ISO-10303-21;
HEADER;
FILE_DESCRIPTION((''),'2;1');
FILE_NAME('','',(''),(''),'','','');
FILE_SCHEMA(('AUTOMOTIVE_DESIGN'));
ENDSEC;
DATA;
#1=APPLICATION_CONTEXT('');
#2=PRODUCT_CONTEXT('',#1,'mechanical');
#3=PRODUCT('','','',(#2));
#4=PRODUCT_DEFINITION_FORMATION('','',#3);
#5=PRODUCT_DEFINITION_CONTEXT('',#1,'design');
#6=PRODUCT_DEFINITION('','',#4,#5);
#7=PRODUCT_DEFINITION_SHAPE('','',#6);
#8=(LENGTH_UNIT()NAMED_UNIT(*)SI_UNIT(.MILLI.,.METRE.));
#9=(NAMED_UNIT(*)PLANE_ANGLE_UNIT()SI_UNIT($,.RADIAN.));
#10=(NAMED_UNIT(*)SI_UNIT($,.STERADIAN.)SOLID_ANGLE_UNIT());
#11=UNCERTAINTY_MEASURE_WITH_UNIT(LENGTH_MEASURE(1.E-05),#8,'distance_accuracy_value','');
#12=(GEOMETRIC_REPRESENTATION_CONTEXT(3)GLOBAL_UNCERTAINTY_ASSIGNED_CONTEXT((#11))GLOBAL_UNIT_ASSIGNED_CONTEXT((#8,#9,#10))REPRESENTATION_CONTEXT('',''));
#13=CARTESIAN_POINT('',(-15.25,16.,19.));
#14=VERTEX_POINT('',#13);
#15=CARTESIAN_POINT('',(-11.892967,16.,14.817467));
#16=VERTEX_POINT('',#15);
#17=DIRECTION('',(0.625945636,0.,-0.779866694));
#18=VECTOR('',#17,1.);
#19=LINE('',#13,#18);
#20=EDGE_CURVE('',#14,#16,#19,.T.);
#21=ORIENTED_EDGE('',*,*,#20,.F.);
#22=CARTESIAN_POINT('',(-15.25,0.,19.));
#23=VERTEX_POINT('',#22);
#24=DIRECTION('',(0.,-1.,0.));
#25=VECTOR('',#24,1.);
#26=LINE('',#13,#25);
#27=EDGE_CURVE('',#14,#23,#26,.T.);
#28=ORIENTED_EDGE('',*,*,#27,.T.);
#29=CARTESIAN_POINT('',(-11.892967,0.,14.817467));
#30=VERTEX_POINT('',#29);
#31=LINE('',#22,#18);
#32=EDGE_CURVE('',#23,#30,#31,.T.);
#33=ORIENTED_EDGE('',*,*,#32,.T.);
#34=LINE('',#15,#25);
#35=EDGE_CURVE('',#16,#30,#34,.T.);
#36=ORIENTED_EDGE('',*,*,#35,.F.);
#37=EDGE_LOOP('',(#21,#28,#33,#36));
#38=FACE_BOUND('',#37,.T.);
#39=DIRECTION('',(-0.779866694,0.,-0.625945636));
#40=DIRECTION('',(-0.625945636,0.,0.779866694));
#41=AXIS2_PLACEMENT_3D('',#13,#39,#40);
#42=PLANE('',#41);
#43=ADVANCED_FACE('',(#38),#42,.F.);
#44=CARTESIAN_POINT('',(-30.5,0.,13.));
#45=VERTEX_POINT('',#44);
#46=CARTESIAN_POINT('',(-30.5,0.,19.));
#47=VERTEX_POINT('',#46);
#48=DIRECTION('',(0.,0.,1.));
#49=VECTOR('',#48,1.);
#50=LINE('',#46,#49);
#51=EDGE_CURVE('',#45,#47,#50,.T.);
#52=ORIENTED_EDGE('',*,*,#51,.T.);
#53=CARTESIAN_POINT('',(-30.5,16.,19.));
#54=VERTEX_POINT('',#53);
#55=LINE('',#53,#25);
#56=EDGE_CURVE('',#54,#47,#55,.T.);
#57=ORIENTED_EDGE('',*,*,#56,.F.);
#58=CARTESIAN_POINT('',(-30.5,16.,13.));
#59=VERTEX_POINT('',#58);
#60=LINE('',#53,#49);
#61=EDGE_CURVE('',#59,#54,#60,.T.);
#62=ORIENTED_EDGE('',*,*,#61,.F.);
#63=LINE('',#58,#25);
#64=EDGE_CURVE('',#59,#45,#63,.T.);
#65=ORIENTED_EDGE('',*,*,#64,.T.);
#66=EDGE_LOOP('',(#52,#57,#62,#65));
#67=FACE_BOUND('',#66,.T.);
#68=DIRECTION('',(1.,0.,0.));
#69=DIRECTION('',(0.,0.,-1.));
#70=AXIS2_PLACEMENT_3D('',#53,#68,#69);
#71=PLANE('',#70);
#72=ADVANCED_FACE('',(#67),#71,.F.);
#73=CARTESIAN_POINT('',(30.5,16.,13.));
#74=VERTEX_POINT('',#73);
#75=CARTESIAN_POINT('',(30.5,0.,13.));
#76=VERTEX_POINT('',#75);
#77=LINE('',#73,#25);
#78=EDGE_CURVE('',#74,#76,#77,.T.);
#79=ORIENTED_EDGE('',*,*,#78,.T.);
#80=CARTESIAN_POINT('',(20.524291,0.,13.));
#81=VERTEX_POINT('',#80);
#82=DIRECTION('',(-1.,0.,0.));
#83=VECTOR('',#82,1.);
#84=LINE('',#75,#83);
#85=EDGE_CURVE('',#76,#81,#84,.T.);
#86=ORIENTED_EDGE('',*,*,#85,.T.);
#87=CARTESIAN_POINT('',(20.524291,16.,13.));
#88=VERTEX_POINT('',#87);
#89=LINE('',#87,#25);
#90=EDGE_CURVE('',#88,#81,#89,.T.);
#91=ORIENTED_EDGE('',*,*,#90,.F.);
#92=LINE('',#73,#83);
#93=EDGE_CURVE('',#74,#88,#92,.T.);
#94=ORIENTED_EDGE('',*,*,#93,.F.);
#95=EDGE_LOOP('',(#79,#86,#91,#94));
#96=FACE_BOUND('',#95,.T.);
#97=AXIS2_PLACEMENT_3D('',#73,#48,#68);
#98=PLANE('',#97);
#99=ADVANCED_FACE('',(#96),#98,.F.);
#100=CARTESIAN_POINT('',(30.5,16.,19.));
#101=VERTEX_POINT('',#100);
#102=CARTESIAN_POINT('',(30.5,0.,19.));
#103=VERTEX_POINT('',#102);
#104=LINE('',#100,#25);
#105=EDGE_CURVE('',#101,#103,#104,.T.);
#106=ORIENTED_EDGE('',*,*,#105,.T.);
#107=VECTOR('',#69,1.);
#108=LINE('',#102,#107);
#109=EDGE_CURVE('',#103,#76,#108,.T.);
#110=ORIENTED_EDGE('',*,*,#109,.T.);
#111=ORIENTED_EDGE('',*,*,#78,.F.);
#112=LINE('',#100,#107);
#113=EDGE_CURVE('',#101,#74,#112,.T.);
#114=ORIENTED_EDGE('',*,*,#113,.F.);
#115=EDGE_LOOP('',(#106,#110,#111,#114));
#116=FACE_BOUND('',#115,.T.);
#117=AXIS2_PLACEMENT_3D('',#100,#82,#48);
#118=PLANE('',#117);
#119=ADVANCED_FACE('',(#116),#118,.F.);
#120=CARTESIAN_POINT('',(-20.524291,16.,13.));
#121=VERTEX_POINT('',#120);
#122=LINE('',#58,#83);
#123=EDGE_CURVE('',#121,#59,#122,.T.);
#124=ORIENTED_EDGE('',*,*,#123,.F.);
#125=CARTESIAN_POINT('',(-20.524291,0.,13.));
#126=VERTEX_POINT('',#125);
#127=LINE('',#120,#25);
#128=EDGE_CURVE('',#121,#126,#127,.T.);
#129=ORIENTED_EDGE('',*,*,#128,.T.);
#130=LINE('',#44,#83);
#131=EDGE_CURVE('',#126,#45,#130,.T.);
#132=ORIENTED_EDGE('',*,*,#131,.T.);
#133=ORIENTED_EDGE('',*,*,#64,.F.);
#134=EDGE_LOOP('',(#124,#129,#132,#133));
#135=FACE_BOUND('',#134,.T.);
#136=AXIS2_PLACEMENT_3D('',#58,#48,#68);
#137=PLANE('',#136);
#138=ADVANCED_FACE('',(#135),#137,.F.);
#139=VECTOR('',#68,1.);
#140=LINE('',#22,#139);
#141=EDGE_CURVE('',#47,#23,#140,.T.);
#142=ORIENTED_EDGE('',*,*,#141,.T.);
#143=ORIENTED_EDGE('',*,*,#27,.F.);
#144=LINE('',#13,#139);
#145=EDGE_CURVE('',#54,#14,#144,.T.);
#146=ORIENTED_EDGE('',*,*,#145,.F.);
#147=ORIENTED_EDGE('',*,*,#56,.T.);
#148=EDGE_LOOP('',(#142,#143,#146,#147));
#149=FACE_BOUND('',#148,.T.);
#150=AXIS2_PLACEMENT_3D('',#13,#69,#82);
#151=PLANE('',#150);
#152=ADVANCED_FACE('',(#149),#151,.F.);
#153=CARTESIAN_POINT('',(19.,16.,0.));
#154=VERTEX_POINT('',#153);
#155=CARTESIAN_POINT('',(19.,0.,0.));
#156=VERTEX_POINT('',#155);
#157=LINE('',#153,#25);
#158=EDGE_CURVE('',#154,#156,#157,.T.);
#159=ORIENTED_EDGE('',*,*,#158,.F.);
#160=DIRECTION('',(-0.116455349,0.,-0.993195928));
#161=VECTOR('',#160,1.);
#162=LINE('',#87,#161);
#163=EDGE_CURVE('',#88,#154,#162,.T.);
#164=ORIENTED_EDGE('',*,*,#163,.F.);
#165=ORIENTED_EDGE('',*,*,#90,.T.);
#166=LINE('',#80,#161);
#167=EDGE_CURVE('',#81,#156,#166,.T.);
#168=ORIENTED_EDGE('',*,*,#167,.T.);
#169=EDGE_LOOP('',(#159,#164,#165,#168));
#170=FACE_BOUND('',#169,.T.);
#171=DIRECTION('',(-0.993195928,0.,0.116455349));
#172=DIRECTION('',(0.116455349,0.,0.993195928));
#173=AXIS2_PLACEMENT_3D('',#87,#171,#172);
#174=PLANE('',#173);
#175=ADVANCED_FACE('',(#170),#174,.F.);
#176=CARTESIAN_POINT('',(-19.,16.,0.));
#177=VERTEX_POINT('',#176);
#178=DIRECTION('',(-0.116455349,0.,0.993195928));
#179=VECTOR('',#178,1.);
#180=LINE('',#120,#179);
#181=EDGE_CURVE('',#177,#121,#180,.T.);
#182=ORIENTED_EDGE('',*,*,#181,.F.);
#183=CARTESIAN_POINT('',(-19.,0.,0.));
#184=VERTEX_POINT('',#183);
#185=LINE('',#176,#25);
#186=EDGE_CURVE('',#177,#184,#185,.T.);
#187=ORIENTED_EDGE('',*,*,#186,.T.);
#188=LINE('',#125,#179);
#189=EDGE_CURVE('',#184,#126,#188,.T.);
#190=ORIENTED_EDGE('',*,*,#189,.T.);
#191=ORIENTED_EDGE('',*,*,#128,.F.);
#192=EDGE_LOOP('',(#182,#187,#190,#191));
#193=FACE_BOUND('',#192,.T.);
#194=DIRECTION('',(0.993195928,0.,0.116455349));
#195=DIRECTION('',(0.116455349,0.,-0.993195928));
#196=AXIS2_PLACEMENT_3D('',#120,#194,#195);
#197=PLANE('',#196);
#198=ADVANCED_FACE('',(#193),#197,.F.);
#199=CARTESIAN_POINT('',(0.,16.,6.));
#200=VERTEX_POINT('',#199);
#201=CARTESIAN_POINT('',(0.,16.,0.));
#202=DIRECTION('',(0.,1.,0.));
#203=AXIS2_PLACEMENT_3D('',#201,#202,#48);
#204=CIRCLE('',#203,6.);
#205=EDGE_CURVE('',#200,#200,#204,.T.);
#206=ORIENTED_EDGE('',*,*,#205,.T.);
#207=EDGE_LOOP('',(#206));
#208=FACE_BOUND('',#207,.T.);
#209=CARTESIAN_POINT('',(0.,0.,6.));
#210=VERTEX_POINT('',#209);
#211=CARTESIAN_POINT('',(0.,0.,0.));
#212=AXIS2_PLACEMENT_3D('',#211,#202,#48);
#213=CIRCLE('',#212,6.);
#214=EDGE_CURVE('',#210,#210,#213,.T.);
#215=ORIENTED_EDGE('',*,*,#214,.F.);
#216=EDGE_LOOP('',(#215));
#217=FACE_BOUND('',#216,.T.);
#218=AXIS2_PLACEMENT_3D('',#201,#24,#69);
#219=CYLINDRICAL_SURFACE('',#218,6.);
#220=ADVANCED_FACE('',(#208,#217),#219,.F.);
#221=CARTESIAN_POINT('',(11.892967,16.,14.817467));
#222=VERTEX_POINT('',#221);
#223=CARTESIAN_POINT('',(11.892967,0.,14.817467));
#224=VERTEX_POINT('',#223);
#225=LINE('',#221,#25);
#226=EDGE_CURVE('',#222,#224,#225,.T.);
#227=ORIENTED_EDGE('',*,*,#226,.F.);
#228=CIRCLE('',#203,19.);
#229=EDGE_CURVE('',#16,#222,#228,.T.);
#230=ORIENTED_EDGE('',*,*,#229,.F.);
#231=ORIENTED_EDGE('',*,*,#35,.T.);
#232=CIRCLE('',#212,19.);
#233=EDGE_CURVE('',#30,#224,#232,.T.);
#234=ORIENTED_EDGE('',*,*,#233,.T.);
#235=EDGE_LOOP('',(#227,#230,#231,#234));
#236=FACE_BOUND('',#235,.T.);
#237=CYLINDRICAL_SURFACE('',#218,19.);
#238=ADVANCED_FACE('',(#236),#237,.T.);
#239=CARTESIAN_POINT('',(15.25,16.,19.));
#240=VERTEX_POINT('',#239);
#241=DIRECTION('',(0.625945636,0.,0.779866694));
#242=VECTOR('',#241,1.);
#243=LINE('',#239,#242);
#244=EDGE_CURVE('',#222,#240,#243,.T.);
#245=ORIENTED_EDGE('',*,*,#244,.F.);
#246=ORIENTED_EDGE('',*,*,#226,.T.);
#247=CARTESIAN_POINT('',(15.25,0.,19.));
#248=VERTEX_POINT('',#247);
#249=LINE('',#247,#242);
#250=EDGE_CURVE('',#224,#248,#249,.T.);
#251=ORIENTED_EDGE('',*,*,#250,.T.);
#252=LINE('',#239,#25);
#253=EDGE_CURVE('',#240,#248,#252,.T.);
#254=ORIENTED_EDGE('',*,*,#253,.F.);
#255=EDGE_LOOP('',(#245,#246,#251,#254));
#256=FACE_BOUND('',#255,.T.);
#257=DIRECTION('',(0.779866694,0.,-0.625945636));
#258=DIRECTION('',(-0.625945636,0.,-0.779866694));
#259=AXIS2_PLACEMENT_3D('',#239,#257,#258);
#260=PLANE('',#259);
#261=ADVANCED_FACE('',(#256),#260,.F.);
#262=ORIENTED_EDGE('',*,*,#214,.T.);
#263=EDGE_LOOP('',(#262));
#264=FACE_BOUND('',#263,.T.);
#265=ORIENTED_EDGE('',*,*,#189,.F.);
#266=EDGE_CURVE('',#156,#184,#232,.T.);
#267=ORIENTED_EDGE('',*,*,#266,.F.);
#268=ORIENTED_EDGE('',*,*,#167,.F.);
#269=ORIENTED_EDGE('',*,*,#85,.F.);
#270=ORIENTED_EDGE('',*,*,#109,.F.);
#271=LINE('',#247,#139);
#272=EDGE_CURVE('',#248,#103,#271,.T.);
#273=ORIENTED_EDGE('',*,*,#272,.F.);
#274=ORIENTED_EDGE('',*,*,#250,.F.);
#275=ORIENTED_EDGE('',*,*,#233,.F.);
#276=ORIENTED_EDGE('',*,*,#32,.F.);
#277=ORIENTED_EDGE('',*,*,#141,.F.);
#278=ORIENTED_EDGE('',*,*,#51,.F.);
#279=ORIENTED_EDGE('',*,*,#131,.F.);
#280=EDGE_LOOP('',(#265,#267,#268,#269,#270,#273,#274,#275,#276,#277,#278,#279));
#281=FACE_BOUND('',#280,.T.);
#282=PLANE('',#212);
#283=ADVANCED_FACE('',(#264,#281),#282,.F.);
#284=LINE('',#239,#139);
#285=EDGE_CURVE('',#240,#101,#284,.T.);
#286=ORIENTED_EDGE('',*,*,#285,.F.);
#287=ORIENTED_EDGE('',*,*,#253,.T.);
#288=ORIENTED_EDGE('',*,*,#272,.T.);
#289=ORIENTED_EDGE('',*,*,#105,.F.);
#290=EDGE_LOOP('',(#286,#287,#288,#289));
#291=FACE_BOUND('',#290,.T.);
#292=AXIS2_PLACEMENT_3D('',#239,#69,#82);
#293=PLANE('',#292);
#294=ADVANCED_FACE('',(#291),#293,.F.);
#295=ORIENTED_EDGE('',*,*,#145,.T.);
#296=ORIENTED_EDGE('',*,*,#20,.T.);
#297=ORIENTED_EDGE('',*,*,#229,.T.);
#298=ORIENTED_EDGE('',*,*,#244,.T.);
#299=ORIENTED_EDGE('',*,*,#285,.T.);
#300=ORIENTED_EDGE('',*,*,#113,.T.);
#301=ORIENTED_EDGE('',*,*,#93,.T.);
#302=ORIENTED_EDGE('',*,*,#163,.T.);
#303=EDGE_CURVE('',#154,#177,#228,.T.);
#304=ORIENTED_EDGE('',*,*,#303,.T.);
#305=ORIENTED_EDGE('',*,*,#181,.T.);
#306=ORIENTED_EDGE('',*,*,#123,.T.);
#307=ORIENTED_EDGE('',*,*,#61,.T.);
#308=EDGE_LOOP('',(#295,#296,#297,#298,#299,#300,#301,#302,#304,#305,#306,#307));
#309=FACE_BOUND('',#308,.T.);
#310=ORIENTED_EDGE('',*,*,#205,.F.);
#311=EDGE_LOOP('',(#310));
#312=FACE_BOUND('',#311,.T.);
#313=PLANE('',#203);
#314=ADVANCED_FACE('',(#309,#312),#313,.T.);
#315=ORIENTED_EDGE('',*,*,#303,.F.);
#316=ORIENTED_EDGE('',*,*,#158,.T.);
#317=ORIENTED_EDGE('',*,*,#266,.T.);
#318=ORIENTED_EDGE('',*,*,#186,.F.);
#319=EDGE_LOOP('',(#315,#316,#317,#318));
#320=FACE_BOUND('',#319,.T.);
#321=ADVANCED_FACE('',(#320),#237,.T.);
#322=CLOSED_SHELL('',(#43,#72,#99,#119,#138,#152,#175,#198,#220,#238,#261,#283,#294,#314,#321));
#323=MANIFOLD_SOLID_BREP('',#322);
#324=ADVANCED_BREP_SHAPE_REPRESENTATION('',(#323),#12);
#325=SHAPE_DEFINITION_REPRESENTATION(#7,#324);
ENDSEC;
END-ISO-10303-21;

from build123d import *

# Parameters (mm, degrees)
SKETCH2_R           = 6
BOSS_EXTRUDE2_DEPTH = 16


with BuildPart() as part:
    # Sketch2 → Boss-Extrude2 (new body)
    with BuildSketch(Plane(origin=(0, 0, 0), x_dir=(1, 0, 0), z_dir=(0, 1, 0))):
        with BuildLine():
            Line((-15.25, -19), (-30.5, -19))
            Line((-30.5, -19), (-30.5, -13))
            Line((-30.5, -13), (-20.524290918, -13))
            Line((-20.524290918, -13), (-19, 0))
            ThreePointArc((-19, 0), (0, 19), (19, 0))
            Line((19, 0), (20.524290918, -13))
            Line((20.524290918, -13), (30.5, -13))
            Line((30.5, -13), (30.5, -19))
            Line((30.5, -19), (15.25, -19))
            Line((15.25, -19), (11.892967086, -14.817467189))
            ThreePointArc((11.892967086, -14.817467189), (0, -19), (-11.892967086, -14.817467189))
            Line((-11.892967086, -14.817467189), (-15.25, -19))
        make_face()
        Circle(SKETCH2_R, mode=Mode.SUBTRACT)
    extrude(amount=BOSS_EXTRUDE2_DEPTH)


solid = part.part
